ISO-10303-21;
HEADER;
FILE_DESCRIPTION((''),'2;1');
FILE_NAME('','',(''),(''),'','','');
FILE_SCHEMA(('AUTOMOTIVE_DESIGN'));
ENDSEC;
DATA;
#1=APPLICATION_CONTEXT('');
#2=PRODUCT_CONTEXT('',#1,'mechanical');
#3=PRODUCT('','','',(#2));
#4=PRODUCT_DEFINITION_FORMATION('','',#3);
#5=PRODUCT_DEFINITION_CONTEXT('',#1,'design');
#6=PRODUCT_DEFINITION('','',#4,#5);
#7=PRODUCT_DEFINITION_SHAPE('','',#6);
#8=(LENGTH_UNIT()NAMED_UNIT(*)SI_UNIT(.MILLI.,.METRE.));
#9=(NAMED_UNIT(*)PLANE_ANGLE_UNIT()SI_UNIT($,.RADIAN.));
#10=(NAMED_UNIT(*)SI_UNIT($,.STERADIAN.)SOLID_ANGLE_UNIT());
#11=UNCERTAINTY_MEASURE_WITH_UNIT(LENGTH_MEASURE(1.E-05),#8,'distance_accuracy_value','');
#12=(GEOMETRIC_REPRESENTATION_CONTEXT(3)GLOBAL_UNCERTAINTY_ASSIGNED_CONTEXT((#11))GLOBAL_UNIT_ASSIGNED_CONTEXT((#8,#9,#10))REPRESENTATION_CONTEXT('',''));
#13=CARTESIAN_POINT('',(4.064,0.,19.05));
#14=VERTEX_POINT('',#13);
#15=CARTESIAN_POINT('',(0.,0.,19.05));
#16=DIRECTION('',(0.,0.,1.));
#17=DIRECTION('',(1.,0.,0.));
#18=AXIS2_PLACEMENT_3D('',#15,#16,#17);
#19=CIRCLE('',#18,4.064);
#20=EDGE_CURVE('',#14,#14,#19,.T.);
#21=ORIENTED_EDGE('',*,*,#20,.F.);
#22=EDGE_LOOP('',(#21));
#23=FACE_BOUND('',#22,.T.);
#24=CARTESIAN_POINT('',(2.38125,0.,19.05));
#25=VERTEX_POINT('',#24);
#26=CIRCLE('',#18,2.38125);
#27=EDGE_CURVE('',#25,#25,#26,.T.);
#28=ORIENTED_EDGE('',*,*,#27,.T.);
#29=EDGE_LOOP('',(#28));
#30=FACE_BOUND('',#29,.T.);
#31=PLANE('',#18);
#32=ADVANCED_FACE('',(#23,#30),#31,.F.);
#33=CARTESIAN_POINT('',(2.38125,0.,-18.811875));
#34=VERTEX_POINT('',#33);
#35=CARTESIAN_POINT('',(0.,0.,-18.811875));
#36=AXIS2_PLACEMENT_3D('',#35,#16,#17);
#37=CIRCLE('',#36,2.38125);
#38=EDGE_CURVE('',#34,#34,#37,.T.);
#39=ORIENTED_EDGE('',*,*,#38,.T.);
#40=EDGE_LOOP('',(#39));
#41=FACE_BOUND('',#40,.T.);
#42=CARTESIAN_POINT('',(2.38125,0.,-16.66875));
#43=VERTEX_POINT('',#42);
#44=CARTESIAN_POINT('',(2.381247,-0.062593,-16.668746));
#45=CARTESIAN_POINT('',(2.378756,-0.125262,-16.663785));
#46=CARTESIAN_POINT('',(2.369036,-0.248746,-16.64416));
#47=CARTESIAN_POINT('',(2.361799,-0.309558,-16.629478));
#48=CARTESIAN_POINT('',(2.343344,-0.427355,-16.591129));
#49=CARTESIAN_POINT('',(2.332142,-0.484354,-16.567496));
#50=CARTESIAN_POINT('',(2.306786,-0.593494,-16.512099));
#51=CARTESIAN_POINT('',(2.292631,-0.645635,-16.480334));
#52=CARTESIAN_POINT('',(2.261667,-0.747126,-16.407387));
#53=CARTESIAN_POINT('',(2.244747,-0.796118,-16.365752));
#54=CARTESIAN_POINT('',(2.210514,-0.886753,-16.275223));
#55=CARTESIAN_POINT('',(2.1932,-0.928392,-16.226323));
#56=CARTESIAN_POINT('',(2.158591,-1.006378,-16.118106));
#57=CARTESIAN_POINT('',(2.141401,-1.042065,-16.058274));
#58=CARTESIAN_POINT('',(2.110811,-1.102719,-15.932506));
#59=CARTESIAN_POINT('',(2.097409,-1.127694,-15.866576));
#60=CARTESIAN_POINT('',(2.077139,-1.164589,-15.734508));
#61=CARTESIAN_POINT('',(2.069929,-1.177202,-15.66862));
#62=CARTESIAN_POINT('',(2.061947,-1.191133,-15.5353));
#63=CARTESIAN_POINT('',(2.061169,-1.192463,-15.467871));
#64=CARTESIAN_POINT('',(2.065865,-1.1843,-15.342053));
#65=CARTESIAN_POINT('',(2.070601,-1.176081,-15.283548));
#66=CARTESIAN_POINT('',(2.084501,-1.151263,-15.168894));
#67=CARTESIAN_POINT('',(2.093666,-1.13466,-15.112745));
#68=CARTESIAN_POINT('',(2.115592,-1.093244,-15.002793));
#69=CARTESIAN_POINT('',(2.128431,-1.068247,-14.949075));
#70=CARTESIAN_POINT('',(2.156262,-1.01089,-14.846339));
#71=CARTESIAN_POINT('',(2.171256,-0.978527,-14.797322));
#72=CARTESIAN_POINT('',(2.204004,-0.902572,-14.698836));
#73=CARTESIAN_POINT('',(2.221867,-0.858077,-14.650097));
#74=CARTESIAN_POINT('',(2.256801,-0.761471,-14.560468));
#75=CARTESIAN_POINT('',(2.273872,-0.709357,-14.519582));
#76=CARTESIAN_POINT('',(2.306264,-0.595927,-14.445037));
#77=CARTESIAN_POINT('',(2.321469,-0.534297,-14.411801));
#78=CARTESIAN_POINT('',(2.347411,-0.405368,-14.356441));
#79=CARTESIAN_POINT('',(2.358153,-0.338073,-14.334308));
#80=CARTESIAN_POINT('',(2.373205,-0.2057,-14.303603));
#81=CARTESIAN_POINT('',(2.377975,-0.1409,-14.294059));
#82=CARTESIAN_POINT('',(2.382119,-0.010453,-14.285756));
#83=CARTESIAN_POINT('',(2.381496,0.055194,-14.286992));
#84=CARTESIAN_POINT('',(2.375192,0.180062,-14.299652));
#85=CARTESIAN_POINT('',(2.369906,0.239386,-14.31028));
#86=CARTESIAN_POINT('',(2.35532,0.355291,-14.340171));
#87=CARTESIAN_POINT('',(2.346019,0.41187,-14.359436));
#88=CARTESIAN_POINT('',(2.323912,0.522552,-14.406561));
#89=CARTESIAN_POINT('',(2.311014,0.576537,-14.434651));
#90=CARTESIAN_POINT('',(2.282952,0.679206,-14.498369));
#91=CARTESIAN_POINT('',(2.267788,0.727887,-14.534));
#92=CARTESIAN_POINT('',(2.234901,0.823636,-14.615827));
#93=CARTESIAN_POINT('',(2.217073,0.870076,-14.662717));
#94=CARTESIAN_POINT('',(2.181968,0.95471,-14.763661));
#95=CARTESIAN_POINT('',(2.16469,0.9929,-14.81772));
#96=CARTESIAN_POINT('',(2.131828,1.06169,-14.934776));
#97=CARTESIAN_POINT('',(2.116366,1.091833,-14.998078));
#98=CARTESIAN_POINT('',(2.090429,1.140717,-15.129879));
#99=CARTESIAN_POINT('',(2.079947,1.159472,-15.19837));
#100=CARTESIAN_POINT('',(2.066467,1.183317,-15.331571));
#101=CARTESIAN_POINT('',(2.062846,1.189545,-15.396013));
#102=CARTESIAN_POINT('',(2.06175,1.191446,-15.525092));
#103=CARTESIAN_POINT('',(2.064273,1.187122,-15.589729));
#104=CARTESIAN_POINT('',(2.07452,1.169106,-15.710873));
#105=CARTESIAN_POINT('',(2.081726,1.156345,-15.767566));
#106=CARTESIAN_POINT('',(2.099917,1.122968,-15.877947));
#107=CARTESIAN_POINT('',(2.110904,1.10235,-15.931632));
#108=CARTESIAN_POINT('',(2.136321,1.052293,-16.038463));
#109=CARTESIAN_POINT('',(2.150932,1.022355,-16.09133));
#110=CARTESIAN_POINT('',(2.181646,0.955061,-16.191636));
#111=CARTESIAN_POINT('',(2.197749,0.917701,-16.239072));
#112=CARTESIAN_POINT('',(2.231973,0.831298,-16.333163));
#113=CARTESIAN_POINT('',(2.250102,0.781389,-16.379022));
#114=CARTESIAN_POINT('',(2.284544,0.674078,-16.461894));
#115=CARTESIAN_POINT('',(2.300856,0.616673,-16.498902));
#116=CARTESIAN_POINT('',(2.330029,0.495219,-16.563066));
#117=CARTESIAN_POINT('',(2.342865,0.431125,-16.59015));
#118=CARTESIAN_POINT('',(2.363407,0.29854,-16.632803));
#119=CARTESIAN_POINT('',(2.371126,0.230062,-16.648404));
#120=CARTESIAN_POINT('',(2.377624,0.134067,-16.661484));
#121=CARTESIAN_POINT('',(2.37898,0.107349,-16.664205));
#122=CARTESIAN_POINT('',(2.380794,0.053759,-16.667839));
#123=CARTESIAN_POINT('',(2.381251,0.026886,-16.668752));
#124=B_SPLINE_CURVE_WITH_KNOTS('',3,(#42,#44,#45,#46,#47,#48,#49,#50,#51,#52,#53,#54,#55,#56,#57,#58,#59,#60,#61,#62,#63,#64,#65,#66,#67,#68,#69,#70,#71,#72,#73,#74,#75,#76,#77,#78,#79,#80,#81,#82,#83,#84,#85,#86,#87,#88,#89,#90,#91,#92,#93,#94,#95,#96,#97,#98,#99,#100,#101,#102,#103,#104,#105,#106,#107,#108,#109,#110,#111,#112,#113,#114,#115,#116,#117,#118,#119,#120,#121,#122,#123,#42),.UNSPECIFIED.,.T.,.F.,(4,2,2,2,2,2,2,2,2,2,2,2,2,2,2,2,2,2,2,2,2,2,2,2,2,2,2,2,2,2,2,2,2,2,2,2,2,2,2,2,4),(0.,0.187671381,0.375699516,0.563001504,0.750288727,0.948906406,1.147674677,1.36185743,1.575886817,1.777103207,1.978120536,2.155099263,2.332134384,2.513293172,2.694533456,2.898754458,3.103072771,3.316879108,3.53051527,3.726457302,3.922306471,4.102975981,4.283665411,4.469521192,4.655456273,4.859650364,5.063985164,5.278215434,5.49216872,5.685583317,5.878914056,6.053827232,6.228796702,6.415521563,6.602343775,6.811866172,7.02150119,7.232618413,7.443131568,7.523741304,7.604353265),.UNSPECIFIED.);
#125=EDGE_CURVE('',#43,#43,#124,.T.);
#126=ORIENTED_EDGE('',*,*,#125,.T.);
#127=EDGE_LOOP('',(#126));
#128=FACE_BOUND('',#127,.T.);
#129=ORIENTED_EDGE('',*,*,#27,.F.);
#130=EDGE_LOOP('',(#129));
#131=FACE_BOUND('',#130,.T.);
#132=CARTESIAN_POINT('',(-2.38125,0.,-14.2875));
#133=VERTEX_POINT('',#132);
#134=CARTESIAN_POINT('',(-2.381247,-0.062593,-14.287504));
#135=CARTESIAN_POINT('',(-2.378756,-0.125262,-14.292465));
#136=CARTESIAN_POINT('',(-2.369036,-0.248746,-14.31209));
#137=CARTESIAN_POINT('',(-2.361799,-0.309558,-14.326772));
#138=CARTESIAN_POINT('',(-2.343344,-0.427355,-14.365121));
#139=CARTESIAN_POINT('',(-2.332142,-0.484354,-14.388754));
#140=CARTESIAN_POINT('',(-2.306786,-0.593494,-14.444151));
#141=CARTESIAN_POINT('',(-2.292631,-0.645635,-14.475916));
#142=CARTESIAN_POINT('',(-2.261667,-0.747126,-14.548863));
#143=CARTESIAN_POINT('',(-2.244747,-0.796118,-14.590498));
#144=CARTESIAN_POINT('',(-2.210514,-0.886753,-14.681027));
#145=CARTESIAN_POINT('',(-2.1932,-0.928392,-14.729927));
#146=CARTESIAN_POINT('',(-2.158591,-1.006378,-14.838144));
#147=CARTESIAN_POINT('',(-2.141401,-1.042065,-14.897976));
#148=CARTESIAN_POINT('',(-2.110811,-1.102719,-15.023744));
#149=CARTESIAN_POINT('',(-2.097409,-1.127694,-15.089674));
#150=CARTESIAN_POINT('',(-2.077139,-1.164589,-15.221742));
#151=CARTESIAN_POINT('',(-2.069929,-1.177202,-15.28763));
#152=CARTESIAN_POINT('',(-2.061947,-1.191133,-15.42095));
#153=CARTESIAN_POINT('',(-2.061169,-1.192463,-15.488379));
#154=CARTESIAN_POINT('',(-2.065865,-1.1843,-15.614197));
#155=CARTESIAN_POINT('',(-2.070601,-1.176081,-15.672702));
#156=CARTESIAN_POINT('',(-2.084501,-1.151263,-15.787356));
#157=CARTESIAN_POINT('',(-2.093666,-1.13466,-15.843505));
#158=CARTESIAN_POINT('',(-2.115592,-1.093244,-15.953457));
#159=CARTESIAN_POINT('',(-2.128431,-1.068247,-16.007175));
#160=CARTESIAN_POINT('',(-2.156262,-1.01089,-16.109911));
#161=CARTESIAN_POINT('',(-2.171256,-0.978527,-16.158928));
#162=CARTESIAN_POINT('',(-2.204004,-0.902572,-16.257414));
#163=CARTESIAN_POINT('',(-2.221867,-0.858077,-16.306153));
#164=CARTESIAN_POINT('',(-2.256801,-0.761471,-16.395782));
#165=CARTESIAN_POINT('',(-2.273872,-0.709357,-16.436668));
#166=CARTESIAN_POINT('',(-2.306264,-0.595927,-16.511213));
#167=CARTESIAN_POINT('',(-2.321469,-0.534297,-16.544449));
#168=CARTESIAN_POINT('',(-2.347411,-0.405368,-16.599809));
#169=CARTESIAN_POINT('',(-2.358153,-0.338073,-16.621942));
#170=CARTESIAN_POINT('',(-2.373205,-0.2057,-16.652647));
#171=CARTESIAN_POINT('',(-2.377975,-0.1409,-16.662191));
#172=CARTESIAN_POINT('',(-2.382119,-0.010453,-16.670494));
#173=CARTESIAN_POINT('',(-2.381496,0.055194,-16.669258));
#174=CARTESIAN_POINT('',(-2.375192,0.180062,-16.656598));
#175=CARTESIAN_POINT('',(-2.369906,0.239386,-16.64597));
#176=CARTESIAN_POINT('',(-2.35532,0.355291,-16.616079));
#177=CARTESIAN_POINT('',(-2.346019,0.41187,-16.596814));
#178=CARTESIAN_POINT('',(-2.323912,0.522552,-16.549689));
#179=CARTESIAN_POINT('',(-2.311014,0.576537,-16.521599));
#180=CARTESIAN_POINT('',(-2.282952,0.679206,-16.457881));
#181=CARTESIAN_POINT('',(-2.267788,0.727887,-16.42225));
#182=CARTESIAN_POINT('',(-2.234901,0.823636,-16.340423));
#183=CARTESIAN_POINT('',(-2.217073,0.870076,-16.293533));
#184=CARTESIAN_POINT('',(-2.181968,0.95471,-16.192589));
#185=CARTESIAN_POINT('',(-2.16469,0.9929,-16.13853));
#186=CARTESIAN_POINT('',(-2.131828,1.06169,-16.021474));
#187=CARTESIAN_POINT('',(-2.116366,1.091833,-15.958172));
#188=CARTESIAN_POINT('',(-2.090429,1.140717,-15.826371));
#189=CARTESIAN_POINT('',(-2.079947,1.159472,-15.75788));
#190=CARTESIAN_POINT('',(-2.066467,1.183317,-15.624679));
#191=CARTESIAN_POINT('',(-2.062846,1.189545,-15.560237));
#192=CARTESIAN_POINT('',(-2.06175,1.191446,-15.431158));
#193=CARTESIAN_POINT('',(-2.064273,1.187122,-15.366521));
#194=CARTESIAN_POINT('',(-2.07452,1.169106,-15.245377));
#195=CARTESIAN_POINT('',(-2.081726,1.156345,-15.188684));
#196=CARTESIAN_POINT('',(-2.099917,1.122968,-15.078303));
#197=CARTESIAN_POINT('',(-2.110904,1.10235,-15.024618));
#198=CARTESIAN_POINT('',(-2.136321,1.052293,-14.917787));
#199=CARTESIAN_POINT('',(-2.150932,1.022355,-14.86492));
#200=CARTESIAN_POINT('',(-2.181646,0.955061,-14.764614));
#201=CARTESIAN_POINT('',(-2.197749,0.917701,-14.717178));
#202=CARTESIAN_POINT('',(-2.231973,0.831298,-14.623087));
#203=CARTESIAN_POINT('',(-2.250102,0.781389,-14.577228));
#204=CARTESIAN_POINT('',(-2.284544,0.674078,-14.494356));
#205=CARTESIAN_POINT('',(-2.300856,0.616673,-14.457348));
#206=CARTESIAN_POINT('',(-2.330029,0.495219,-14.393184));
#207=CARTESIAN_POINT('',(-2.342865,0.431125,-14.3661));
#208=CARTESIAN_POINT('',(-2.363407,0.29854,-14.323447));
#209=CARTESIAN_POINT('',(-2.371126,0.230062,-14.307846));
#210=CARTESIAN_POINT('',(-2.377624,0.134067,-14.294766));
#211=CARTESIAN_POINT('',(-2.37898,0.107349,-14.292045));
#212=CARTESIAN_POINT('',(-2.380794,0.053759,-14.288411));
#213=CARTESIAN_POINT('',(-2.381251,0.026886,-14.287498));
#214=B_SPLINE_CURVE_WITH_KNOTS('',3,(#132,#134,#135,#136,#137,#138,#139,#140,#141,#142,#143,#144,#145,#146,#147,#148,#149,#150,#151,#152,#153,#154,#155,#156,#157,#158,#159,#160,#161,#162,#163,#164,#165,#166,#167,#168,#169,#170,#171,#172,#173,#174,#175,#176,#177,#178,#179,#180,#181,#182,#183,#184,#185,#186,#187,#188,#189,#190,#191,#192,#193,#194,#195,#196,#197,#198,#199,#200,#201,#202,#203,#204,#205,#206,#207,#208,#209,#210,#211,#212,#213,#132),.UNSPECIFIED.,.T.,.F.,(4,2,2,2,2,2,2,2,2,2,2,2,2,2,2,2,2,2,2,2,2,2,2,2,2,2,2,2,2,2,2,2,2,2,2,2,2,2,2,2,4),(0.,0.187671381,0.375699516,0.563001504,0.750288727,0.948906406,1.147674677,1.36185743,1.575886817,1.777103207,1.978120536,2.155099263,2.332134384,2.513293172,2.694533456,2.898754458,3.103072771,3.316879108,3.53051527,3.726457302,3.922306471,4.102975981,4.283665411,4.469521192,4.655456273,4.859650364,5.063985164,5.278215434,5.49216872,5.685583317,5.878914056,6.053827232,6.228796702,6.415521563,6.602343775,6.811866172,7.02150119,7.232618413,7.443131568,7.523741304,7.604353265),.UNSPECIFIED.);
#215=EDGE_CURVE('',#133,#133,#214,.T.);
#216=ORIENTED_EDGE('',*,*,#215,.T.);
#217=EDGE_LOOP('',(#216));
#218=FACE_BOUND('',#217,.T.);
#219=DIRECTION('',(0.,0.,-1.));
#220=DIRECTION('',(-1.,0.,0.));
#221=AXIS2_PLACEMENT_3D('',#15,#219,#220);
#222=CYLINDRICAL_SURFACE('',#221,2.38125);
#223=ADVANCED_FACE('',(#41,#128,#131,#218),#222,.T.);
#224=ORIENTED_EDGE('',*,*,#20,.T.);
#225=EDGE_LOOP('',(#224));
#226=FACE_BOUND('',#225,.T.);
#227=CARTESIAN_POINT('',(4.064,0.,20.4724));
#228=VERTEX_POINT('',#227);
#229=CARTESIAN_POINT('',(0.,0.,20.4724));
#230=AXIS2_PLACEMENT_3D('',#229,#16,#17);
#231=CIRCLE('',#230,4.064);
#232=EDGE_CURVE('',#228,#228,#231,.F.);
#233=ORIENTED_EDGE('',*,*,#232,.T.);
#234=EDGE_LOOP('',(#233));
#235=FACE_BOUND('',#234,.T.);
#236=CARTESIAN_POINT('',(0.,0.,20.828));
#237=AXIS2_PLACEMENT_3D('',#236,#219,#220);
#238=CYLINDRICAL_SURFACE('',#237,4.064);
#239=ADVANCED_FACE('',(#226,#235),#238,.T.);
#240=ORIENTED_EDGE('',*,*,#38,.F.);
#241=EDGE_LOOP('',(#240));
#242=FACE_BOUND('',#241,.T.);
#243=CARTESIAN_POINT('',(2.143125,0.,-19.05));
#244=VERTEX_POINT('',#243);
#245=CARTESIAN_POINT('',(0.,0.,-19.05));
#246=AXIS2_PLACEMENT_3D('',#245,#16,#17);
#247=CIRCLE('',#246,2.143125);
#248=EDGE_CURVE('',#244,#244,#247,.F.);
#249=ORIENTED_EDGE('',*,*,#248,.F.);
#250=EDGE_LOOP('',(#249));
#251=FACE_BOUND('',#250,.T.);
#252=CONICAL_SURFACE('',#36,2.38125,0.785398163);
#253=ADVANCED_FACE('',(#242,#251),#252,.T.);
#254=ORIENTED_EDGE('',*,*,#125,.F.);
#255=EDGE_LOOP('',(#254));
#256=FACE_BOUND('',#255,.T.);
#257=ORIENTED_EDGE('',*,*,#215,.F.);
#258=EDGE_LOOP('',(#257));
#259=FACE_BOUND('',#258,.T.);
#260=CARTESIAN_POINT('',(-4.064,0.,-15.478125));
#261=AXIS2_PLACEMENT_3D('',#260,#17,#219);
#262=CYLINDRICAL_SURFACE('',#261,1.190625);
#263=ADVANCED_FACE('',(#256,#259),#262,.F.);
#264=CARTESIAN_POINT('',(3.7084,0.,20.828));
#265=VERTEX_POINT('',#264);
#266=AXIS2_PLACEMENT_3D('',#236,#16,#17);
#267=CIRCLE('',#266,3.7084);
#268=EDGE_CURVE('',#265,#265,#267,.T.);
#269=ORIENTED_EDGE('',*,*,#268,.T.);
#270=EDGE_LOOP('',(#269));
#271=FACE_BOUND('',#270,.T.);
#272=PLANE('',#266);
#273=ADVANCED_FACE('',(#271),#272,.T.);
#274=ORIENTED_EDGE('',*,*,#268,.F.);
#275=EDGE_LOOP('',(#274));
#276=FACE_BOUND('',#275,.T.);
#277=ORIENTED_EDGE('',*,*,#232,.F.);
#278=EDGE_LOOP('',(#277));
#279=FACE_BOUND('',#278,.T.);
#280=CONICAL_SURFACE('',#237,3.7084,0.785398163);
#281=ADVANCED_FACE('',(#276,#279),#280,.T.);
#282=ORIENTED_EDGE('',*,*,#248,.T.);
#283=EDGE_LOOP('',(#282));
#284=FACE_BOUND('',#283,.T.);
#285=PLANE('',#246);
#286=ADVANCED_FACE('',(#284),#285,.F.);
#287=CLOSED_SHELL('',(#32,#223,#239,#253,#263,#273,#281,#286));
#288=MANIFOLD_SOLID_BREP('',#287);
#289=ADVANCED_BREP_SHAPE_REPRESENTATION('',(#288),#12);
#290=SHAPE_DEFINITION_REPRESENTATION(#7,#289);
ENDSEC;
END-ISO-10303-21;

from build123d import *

# Parameters (mm, degrees)
SKETCH1_R           = 2.38125
EXTRUDE1_DEPTH      = 19.05
SKETCH2_R           = 4.064
EXTRUDE2_DEPTH      = 1.778
CHAMFER1_SIZE       = 0.3556
EXTRUDE3_DEPTH      = 22.606429043
EXTRUDE3_DEPTH_BACK = 22.606429043
SKETCH3_R           = 1.190625
CHAMFER2_SIZE       = 0.238125


with BuildPart() as part:
    # Sketch1 → Extrude1 (new, symmetric)
    with BuildSketch(Plane.XY):
        with Locations(Location((0, 0, 0), (0, 0, 180))):
            Circle(SKETCH1_R)
    extrude(amount=EXTRUDE1_DEPTH, both=True)

    # Sketch2 → Extrude2 (add)
    with BuildSketch(Plane.XY.offset(19.05)):
        Circle(SKETCH2_R)
    extrude(amount=EXTRUDE2_DEPTH)

    # Chamfer1
    chamfer1_edges = [part.edges().sort_by_distance(p)[0] for p in [
        (-4.064, 0, 20.828),
    ]]
    chamfer(chamfer1_edges, length=CHAMFER1_SIZE)

    # Sketch3 → Extrude3 (cut, two sides: drawn at the far end of the back side and taken through both)
    with BuildSketch(Plane(origin=(0, 0, 0), x_dir=(0, 0, -1), z_dir=(1, 0, 0)).offset(-EXTRUDE3_DEPTH_BACK)):
        with Locations(Location((15.478125, 0, 0), (0, 0, 179.999999999))):
            Circle(SKETCH3_R)
    extrude(amount=EXTRUDE3_DEPTH + EXTRUDE3_DEPTH_BACK, mode=Mode.SUBTRACT)

    # Chamfer2
    chamfer2_edges = [part.edges().sort_by_distance(p)[0] for p in [
        (2.38125, 0, -19.05),
    ]]
    chamfer(chamfer2_edges, length=CHAMFER2_SIZE)


solid = part.part
